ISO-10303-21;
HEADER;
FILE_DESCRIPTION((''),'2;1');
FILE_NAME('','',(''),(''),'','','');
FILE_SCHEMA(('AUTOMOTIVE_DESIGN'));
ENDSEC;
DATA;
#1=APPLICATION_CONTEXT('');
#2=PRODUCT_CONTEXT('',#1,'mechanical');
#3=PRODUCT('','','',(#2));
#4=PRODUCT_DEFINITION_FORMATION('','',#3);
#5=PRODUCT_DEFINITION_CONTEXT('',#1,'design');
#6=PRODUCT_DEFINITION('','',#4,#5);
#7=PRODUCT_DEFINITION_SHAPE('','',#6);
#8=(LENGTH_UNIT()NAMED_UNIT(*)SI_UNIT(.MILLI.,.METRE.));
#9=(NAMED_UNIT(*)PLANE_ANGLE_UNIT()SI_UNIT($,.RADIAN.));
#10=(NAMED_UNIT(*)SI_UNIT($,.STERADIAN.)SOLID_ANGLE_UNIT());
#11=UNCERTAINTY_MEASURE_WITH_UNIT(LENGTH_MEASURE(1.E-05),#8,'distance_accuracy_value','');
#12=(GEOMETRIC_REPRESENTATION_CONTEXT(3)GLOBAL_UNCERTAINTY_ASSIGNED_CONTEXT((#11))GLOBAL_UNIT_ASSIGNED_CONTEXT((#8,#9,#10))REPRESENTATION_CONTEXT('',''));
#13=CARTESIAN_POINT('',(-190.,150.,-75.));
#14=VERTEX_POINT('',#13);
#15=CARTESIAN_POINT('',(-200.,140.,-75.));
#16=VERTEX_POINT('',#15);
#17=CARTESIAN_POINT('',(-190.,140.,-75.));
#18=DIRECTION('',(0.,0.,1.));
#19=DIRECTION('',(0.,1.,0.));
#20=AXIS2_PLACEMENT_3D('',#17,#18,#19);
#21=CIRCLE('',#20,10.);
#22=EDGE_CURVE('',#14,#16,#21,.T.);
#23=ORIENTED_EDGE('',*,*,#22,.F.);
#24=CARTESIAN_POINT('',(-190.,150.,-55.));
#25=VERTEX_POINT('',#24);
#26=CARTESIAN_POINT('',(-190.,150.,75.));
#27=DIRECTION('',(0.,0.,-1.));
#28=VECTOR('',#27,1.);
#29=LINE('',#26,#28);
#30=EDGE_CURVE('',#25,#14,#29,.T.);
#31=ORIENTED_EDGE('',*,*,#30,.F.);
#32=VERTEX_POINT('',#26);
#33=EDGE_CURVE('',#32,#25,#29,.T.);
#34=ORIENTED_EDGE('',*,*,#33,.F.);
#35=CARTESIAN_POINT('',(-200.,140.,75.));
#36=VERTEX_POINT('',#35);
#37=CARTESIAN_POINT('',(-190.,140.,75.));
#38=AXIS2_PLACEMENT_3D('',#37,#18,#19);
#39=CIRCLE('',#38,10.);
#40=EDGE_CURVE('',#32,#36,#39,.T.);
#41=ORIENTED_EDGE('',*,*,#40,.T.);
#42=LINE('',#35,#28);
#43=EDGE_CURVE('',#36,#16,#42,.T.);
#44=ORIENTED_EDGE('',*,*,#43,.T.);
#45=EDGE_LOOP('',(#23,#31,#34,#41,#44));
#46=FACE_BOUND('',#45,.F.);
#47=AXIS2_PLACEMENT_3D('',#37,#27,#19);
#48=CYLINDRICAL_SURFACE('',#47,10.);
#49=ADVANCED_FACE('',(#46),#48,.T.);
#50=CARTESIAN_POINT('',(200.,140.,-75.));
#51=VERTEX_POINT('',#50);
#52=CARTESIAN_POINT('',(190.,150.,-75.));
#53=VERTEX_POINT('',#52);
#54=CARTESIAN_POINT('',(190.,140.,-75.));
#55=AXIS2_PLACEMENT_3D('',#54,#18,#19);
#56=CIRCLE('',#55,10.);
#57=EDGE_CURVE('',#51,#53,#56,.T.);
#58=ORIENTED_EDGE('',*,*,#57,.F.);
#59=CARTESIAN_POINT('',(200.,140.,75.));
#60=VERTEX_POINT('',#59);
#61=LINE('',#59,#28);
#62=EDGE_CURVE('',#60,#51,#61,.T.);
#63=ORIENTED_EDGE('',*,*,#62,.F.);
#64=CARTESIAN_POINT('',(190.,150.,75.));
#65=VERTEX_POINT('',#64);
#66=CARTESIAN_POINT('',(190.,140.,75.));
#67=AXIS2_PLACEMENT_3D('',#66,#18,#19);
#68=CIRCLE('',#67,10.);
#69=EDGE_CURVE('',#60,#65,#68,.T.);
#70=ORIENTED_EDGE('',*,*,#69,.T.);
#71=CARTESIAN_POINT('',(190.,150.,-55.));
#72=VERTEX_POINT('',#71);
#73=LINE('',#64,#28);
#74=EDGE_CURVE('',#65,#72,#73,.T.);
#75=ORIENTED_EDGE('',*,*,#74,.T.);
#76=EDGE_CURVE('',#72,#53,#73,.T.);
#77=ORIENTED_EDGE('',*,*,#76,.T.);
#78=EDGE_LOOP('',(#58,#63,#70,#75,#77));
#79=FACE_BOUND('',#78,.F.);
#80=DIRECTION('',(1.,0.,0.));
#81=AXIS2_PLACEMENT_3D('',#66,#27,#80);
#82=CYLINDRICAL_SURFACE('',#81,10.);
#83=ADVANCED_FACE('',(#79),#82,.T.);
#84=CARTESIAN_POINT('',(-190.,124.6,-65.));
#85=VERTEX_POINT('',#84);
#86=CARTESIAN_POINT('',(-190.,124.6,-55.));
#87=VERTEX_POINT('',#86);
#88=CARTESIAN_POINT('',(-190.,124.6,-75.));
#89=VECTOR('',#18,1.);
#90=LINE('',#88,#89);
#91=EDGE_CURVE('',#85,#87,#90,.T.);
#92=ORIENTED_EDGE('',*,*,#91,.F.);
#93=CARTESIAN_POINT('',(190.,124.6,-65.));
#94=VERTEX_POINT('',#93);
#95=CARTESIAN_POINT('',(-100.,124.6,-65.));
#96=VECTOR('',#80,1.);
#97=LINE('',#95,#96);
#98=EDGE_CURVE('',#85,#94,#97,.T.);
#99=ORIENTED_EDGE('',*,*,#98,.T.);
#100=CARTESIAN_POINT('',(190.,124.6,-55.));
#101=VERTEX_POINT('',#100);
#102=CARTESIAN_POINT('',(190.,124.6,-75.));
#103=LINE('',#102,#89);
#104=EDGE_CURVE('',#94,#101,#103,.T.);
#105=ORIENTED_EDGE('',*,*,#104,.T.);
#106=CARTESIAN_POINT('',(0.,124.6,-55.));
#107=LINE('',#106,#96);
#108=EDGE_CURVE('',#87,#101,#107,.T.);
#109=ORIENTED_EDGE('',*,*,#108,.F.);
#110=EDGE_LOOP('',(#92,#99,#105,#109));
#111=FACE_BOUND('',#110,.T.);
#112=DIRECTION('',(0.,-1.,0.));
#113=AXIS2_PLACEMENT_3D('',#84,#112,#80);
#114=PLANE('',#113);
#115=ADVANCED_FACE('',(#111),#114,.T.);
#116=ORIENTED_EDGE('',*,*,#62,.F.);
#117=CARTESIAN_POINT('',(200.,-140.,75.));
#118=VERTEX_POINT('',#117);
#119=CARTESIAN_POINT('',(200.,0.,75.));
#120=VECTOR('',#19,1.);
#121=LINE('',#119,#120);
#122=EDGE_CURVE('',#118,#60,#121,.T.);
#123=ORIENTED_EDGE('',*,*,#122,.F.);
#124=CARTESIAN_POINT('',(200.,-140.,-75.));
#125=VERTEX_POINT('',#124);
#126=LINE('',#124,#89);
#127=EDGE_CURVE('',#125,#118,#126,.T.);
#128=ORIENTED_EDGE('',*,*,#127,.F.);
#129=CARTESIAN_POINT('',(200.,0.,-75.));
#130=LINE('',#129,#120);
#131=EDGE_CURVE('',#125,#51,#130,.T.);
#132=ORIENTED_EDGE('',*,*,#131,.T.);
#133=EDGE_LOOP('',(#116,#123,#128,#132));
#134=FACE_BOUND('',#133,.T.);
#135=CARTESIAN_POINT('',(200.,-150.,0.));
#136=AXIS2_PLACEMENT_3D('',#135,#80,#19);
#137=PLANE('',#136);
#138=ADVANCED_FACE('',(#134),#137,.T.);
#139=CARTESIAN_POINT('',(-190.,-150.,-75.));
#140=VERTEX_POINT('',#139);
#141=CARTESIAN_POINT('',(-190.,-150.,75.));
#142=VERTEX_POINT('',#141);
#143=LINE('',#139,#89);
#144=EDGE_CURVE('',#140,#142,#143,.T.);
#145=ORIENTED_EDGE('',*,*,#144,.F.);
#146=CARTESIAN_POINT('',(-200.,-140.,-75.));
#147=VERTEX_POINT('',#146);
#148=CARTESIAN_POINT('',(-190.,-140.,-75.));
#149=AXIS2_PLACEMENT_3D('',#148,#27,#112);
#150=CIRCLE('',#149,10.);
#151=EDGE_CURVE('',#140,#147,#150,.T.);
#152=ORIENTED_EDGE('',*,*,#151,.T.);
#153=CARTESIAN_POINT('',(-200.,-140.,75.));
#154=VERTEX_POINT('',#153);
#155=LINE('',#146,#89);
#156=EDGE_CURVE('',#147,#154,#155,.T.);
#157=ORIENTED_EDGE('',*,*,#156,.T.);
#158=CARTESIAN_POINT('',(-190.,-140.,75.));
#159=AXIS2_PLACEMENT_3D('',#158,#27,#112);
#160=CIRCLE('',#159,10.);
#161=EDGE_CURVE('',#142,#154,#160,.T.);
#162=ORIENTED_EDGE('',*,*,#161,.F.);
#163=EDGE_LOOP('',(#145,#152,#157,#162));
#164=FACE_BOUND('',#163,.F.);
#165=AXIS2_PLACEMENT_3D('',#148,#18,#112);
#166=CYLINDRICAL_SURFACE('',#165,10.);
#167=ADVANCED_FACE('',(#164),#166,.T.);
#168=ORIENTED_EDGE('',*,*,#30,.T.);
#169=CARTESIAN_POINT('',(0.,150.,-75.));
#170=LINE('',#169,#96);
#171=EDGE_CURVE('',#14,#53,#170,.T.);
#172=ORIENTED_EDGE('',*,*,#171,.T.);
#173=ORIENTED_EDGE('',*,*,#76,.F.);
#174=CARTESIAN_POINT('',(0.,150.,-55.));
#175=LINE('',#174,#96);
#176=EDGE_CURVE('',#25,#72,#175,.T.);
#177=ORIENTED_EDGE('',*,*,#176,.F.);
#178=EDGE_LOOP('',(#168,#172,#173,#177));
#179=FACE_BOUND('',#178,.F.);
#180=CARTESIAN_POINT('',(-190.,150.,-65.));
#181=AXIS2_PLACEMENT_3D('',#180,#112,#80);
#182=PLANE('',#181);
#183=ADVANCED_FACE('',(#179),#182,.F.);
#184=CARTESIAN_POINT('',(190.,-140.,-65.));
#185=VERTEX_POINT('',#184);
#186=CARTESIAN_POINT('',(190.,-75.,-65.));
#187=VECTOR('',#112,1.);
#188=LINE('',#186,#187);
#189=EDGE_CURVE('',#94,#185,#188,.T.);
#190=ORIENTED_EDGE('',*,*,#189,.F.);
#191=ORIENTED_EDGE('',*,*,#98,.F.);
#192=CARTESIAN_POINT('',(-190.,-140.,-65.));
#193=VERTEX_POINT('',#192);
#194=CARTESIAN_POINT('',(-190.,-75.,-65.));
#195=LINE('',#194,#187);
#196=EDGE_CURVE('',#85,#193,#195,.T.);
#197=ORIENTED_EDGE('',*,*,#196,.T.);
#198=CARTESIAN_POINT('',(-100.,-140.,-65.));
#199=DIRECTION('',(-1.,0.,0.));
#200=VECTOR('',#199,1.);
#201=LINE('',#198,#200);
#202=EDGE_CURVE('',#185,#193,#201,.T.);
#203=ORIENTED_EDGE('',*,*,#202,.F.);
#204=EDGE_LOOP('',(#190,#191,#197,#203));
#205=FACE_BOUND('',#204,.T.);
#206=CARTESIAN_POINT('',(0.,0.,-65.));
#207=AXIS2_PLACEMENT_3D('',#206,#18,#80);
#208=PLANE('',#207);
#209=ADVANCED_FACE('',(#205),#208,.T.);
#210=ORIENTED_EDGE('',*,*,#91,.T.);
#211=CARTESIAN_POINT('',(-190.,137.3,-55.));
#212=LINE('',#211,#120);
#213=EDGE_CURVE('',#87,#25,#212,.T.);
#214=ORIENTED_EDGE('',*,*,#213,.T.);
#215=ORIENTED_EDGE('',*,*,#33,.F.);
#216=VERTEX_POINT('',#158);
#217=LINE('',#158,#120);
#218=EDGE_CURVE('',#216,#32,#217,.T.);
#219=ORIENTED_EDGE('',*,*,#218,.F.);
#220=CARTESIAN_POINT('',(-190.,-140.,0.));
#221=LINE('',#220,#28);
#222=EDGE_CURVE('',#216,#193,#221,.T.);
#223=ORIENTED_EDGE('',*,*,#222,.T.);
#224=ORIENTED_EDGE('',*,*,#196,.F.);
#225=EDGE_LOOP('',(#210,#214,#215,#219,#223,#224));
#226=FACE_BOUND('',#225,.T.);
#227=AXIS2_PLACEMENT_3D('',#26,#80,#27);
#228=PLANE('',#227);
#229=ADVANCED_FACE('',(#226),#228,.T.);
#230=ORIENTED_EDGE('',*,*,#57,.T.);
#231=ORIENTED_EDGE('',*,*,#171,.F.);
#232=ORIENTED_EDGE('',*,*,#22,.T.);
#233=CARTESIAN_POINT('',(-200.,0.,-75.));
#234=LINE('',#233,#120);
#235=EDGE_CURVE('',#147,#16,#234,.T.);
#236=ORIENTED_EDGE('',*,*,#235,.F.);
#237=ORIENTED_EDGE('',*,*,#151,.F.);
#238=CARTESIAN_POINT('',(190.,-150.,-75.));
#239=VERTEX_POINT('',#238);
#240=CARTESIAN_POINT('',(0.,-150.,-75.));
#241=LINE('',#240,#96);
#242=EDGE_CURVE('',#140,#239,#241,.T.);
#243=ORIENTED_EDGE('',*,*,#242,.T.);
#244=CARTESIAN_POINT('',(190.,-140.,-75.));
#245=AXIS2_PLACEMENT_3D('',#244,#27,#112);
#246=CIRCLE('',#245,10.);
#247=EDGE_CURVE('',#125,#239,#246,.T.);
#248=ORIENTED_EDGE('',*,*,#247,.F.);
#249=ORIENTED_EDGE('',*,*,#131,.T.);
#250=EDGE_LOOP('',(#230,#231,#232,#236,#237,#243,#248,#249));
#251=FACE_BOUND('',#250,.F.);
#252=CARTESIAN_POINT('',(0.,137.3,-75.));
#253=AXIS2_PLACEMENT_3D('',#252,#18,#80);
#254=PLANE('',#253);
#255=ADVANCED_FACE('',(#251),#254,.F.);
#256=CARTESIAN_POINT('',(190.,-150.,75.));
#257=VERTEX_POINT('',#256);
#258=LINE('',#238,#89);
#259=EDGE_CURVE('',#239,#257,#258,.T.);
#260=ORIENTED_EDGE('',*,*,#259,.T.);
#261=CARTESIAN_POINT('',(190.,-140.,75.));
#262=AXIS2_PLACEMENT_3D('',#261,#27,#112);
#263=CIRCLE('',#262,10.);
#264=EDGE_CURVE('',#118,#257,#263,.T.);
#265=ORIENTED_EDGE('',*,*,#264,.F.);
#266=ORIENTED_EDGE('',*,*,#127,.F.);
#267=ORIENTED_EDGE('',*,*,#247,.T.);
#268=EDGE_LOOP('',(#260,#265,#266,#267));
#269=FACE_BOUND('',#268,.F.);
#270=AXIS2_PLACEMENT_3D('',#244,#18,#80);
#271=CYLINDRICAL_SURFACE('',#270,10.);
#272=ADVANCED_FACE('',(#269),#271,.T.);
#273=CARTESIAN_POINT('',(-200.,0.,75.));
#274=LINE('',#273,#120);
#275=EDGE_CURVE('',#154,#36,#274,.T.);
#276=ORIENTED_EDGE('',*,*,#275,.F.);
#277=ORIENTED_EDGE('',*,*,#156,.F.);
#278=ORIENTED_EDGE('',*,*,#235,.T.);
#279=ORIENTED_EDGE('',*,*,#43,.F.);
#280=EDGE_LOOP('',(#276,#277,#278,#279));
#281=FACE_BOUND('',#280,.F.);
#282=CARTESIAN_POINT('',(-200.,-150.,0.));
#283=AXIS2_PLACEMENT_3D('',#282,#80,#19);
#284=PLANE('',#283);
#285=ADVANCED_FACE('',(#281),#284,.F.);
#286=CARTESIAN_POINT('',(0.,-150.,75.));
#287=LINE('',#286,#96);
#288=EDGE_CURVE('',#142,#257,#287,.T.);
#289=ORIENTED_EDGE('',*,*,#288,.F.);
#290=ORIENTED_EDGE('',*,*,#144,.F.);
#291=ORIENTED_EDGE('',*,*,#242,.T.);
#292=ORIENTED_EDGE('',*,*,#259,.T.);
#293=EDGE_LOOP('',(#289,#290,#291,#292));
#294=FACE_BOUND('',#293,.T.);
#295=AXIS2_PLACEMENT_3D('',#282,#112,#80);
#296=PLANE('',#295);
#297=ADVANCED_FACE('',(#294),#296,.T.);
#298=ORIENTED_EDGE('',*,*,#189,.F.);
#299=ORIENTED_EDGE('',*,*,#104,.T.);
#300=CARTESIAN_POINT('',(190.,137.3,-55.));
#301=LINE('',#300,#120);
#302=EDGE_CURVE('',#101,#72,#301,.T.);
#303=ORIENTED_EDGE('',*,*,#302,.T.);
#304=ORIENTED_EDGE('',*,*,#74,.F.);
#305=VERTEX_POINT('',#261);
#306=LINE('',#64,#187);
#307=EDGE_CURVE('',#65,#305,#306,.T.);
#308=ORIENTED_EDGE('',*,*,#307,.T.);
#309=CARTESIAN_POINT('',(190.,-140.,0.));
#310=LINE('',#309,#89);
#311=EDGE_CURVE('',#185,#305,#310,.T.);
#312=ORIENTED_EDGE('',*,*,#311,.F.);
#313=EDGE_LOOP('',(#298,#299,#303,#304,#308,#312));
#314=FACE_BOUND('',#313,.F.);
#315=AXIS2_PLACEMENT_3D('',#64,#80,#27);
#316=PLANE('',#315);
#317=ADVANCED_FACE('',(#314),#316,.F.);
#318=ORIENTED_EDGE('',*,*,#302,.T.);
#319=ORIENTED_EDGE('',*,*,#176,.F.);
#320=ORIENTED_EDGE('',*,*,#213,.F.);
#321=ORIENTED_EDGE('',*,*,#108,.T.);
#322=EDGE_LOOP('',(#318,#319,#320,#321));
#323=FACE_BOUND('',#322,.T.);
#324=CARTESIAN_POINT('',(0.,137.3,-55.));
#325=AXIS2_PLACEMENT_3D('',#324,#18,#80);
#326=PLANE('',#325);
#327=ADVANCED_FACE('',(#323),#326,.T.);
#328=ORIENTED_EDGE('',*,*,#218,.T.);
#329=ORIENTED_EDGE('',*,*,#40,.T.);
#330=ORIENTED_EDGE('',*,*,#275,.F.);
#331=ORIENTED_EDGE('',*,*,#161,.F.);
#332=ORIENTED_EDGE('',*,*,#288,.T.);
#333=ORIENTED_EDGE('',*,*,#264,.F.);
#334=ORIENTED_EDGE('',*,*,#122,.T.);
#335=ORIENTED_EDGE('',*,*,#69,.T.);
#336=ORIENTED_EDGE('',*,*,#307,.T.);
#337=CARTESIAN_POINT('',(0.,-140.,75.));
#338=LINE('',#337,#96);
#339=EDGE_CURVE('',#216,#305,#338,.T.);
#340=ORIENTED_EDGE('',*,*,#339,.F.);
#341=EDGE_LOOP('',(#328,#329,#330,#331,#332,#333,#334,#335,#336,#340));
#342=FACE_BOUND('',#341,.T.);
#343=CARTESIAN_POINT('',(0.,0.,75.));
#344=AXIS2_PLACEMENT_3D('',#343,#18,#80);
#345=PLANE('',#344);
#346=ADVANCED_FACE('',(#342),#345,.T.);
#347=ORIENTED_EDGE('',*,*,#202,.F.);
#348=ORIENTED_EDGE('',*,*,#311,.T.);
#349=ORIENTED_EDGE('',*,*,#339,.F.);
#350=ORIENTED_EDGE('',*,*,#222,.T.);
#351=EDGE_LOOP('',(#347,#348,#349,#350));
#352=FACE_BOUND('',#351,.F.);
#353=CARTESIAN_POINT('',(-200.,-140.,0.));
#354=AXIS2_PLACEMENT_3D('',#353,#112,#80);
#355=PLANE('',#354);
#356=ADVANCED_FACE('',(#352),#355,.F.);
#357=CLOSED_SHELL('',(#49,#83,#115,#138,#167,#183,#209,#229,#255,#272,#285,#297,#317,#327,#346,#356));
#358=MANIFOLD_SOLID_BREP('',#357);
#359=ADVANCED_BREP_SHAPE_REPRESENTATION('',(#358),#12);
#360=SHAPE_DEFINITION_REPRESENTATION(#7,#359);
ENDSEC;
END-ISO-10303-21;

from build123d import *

# Parameters (mm, degrees)
F0_W     = 400
F0_H     = 300
F1_DEPTH = 75
F2_T     = -10
F3_R     = 10
F4_R     = 10
F5_DEPTH = 25.4
F6_W     = 380
F6_H     = 25.4
F7_DEPTH = 10


with BuildPart() as f1:
    # F0 (on Top) → F1 (new body, symmetric)
    with BuildSketch(Plane.XY):
        Rectangle(F0_W, F0_H)
    extrude(amount=F1_DEPTH, both=True)

    # F2
    f2_openings = [f1.faces().sort_by_distance(p)[0] for p in [
        (0, 0, 75),
    ]]
    offset(amount=F2_T, openings=f2_openings)

    # F3
    f3_edges = [f1.edges().sort_by_distance(p)[0] for p in [
        (-200, 150, 0),
        (200, 150, 0),
    ]]
    fillet(f3_edges, radius=F3_R)

    # F4
    f4_edges = [f1.edges().sort_by_distance(p)[0] for p in [
        (200, -150, 0),
        (-200, -150, 0),
    ]]
    fillet(f4_edges, radius=F4_R)

    # F5 (cut): a face of the model
    f5_faces = [f1.faces().sort_by_distance(p)[0] for p in [
        (0, 150, 0),
    ]]
    extrude(f5_faces, amount=-F5_DEPTH, mode=Mode.SUBTRACT)

    # F6 (on face) → F7 (join, symmetric)
    with BuildSketch(Plane.XY.offset(-65)):
        with Locations((0, 137.3)):
            Rectangle(F6_W, F6_H)
    extrude(amount=F7_DEPTH, both=True)


solid = f1.part
